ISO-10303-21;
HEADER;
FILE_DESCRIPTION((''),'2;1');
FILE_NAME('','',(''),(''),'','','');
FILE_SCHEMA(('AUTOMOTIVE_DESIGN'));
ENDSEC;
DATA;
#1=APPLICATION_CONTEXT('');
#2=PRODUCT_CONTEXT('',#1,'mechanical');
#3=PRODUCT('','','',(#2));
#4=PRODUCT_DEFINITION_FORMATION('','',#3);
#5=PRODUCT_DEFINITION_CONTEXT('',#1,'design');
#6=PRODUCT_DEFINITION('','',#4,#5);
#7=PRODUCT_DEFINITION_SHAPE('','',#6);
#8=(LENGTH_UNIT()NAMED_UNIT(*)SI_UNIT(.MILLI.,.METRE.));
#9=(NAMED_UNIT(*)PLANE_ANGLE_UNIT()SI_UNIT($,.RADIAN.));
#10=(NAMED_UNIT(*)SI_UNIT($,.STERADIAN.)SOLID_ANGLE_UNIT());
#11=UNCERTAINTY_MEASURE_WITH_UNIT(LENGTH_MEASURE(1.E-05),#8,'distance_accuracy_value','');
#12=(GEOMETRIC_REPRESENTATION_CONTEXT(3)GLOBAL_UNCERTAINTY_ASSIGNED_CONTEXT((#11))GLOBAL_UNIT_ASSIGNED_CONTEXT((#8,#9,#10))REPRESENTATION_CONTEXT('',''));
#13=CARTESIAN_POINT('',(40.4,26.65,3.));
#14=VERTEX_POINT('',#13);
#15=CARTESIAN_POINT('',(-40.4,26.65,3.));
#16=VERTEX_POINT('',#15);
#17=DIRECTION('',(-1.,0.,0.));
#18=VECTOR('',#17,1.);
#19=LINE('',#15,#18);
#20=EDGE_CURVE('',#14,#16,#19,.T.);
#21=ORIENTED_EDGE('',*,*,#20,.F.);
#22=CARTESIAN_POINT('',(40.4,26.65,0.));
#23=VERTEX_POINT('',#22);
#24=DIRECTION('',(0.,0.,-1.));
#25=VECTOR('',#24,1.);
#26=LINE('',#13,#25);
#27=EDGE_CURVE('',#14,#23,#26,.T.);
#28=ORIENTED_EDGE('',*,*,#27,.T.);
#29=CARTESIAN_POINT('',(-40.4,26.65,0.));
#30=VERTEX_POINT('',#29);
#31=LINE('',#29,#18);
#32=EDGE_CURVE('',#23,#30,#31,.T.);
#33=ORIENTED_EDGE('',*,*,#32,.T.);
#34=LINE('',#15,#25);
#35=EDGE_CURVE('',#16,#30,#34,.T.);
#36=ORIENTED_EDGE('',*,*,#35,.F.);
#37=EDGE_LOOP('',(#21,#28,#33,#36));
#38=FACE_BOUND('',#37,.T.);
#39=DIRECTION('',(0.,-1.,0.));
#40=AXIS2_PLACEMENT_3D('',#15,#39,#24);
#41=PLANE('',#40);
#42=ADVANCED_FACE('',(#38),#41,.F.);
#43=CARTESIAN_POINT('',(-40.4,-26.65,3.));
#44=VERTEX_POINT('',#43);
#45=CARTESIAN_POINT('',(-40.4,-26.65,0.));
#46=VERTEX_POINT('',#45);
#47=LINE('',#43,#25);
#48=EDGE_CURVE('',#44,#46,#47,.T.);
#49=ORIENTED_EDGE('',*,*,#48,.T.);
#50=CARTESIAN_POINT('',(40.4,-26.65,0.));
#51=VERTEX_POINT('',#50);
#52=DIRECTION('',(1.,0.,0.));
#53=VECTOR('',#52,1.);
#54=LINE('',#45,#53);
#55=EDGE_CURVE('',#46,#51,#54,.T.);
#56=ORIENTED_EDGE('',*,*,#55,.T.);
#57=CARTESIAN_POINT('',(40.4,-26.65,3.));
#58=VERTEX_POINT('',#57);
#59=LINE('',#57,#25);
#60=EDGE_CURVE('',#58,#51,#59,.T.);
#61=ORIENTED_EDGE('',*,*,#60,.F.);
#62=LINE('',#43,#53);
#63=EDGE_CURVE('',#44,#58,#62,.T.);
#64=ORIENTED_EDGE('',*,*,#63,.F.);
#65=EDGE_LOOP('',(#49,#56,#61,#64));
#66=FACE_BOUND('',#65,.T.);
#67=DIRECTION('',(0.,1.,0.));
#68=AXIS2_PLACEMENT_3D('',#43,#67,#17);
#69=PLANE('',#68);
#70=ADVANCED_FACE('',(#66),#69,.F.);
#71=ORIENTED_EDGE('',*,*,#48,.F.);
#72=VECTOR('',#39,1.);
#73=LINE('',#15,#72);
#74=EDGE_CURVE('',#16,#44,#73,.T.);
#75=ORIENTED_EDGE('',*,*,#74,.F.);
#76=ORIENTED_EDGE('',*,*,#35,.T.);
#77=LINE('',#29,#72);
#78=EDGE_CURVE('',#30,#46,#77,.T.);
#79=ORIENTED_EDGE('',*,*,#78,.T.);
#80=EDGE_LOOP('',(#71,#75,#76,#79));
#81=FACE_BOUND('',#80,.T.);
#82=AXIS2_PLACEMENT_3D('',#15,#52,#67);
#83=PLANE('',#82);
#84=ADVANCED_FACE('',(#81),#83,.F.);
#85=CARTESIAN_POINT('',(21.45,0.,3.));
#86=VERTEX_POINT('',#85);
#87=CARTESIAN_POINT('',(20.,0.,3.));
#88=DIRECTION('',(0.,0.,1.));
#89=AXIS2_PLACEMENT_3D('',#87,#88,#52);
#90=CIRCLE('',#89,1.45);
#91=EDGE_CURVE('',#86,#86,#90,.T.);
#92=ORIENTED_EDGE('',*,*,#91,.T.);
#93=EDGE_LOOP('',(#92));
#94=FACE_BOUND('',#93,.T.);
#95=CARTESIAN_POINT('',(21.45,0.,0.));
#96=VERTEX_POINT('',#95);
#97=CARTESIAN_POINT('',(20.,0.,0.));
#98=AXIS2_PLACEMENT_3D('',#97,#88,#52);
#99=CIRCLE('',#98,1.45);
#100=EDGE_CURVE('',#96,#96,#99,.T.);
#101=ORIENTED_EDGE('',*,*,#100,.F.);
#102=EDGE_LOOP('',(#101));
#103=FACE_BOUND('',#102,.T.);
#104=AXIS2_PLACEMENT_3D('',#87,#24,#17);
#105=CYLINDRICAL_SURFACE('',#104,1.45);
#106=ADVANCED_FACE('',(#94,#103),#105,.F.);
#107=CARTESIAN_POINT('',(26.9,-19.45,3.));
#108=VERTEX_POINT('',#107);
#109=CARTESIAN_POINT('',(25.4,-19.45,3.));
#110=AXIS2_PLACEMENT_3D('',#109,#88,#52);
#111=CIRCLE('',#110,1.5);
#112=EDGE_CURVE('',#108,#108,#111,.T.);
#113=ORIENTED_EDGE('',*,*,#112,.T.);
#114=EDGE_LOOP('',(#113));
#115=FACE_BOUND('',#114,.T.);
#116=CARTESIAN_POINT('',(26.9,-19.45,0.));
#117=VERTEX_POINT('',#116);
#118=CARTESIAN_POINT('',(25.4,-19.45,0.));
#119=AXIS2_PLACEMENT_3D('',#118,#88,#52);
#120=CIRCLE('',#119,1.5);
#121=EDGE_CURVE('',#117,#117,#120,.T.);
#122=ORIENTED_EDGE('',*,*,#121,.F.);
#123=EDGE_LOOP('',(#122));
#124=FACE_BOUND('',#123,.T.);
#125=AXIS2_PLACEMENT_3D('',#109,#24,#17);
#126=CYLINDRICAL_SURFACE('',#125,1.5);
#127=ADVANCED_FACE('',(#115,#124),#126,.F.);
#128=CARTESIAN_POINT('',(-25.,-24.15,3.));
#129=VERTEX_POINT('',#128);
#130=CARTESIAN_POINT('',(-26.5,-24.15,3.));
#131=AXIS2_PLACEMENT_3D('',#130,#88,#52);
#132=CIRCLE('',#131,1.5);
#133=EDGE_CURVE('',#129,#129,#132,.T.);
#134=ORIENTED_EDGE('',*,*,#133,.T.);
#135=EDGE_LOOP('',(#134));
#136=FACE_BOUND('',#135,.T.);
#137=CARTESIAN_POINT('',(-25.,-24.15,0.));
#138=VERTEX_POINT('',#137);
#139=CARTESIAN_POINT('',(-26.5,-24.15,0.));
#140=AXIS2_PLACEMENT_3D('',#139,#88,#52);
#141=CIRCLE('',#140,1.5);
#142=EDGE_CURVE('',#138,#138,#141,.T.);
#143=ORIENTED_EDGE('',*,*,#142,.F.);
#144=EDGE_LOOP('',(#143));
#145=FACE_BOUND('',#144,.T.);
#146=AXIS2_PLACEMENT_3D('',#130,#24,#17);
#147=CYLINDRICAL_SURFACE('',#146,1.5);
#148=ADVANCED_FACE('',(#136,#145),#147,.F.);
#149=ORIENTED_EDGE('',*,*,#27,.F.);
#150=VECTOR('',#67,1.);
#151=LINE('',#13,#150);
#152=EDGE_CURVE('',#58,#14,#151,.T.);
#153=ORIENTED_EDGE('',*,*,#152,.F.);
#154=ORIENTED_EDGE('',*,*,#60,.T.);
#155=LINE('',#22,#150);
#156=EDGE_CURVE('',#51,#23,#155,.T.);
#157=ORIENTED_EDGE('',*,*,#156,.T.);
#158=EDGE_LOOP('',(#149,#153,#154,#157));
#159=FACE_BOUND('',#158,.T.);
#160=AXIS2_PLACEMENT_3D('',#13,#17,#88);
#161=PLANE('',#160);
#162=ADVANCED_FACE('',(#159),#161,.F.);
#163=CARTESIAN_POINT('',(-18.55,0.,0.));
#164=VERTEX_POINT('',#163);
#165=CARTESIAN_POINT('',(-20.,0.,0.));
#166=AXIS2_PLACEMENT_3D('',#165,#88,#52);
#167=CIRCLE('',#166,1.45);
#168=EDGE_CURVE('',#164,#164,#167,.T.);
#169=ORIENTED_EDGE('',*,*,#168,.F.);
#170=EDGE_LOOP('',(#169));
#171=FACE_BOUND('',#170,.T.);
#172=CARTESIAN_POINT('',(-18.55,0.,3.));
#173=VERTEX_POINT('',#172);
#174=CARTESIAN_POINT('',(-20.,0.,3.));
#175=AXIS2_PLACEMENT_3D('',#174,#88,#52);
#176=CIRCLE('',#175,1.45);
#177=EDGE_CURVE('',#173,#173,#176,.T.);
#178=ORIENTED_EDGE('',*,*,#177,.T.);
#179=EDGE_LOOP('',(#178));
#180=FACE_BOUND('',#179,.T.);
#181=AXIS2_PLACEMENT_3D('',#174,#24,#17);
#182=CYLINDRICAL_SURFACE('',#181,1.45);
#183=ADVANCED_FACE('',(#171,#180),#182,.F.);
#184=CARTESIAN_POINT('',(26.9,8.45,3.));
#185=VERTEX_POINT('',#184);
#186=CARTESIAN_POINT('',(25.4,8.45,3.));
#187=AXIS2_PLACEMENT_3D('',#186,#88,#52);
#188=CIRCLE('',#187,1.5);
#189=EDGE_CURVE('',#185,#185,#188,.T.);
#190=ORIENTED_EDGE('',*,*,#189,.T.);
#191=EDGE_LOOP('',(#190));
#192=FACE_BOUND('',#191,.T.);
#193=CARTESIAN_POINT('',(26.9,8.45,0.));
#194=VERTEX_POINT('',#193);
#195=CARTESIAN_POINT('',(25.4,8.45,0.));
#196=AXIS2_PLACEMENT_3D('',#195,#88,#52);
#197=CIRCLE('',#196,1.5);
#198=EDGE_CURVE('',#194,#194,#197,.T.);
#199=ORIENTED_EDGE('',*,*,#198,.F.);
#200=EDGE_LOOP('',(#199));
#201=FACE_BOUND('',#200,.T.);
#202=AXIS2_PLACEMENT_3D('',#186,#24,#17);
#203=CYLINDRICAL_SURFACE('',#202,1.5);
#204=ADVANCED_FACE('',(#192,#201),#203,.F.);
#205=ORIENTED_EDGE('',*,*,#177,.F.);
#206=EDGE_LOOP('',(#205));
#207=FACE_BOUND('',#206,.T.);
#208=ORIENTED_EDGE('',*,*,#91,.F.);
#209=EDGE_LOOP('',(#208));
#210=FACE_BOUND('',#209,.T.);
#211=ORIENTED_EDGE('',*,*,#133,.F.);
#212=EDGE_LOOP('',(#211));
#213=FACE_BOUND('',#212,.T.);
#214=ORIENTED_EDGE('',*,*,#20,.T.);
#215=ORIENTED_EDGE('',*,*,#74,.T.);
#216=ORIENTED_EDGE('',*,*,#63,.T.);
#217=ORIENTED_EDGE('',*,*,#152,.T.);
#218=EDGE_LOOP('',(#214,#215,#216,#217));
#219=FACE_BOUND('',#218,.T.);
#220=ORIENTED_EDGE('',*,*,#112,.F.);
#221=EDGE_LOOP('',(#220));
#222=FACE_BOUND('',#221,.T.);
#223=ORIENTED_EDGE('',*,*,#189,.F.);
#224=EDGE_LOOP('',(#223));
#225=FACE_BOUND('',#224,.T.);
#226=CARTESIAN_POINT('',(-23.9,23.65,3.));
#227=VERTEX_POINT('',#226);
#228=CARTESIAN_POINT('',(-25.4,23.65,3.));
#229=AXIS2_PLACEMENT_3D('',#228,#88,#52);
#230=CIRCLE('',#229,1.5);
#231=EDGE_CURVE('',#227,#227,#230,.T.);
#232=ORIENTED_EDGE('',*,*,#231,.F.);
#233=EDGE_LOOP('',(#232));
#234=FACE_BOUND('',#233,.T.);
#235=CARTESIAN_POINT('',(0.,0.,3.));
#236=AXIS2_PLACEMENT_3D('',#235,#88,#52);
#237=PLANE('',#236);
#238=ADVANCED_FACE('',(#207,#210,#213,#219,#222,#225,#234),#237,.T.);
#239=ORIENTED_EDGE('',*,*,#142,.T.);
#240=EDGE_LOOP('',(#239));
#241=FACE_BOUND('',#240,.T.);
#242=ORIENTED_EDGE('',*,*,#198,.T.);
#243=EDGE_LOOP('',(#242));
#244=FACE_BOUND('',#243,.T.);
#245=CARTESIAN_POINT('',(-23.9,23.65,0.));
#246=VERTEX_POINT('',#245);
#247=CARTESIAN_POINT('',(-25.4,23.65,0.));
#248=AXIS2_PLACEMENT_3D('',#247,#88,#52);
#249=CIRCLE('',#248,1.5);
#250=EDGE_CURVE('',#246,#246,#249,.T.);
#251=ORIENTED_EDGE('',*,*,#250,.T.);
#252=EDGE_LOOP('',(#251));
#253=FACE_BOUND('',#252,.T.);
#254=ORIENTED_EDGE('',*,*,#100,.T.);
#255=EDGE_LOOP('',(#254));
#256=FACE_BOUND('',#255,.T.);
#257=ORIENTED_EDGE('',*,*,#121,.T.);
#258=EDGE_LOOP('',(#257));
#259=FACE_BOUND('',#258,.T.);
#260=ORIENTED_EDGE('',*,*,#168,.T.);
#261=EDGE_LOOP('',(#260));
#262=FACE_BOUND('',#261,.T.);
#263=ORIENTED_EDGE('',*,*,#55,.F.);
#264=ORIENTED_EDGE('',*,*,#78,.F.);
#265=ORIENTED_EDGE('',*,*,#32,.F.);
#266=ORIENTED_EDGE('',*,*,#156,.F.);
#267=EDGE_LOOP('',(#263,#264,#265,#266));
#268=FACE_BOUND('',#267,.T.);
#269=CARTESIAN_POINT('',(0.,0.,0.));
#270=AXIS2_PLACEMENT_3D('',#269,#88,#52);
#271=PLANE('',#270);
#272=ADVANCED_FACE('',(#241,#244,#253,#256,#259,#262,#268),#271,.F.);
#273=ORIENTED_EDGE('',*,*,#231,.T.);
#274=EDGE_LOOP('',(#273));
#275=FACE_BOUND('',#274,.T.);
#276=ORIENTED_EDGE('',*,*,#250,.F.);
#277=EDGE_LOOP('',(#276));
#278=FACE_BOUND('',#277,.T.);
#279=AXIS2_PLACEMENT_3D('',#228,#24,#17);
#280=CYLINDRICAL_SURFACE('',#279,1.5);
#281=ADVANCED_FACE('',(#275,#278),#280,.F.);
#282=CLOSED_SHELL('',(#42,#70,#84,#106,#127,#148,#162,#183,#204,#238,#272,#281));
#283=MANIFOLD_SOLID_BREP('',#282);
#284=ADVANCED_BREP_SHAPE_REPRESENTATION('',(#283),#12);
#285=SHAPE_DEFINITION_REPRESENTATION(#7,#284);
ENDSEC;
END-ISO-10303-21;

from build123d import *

# Parameters (mm, degrees)
SKETCH1_W           = 80.8
SKETCH1_H           = 53.3
SKETCH1_R           = 1.5
SKETCH1_R_2         = 1.45
BOSS_EXTRUDE1_DEPTH = 3


with BuildPart() as part:
    # Sketch1 → Boss-Extrude1 (new body)
    with BuildSketch(Plane.XY):
        Rectangle(SKETCH1_W, SKETCH1_H)
        with Locations((-25.4, 23.65)):
            Circle(SKETCH1_R, mode=Mode.SUBTRACT)
        with Locations((-26.5, -24.15)):
            Circle(SKETCH1_R, mode=Mode.SUBTRACT)
        with Locations((25.4, -19.45)):
            Circle(SKETCH1_R, mode=Mode.SUBTRACT)
        with Locations((25.4, 8.45)):
            Circle(SKETCH1_R, mode=Mode.SUBTRACT)
        with Locations((20, 0)):
            Circle(SKETCH1_R_2, mode=Mode.SUBTRACT)
        with Locations((-20, 0)):
            Circle(SKETCH1_R_2, mode=Mode.SUBTRACT)
    extrude(amount=BOSS_EXTRUDE1_DEPTH)


solid = part.part
